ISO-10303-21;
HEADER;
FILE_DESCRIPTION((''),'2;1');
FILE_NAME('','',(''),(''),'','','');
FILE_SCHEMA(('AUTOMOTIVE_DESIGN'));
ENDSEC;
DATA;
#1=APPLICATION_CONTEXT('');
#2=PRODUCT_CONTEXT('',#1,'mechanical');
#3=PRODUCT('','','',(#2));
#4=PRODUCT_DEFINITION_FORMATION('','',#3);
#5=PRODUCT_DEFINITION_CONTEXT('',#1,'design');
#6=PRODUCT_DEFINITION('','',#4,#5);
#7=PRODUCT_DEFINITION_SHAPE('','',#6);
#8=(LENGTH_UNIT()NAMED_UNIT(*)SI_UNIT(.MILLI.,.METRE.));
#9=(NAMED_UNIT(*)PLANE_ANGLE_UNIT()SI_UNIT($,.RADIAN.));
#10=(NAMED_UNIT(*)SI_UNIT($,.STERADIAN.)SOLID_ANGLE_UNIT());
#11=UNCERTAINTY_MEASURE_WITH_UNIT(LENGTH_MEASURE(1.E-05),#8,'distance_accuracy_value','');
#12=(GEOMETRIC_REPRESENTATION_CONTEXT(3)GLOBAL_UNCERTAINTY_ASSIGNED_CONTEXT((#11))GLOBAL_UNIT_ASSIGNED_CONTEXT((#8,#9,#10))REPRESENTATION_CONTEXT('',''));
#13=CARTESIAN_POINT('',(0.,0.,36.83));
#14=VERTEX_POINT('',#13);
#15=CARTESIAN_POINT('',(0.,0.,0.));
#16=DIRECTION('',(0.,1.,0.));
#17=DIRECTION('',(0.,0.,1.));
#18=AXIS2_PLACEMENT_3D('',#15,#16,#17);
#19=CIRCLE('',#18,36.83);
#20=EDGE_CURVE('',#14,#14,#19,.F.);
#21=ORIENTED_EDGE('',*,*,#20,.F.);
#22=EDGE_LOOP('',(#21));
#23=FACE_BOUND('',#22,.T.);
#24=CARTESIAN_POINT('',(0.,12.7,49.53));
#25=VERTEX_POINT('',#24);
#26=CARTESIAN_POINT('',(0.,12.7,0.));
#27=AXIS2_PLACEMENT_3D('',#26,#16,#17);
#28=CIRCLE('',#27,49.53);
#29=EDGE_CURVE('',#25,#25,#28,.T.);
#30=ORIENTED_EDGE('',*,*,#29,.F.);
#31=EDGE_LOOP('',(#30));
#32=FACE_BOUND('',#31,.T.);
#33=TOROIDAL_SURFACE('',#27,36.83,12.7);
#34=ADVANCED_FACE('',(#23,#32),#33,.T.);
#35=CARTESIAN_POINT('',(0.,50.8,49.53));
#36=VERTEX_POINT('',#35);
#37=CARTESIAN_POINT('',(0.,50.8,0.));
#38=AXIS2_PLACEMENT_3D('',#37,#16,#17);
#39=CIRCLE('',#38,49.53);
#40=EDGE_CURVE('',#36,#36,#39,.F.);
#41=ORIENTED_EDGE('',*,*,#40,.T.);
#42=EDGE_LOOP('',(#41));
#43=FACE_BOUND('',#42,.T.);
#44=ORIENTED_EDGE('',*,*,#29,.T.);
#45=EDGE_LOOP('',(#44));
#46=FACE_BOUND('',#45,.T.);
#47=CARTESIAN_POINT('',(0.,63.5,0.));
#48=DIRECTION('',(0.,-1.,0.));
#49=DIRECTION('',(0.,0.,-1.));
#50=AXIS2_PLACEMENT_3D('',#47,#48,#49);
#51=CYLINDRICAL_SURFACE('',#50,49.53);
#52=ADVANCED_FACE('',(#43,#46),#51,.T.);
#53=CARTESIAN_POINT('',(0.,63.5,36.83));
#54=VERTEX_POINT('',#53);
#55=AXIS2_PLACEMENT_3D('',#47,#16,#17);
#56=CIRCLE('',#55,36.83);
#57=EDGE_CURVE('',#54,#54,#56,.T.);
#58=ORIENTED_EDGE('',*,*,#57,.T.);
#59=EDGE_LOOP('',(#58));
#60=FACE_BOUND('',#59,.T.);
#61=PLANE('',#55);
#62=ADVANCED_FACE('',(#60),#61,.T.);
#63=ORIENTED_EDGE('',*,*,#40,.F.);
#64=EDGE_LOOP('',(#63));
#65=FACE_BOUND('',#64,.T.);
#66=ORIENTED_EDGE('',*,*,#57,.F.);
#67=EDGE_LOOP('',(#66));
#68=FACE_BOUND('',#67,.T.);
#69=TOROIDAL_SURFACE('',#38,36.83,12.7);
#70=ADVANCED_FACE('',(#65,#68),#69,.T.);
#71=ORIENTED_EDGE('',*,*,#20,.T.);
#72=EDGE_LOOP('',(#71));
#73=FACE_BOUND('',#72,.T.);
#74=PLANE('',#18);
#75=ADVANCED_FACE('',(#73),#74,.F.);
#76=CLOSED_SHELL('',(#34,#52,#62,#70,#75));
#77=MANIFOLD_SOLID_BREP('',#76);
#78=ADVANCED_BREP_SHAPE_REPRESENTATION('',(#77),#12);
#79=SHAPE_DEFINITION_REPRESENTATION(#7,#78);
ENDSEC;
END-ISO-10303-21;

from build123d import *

# Parameters (mm, degrees)
SKETCH1_R           = 49.53
BOSS_EXTRUDE1_DEPTH = 63.5
FILLET1_R           = 12.7


with BuildPart() as part:
    # Sketch1 → Boss-Extrude1 (new body)
    with BuildSketch(Plane(origin=(0, 0, 0), x_dir=(1, 0, 0), z_dir=(0, 1, 0))):
        with Locations(Location((0, 0, 0), (0, 0, 270))):
            Circle(SKETCH1_R)
    extrude(amount=BOSS_EXTRUDE1_DEPTH)

    # Fillet1
    fillet1_edges = [part.edges().sort_by_distance(p)[0] for p in [
        (0, 0, -49.53),
        (0, 63.5, -49.53),
    ]]
    fillet(fillet1_edges, radius=FILLET1_R)


solid = part.part
